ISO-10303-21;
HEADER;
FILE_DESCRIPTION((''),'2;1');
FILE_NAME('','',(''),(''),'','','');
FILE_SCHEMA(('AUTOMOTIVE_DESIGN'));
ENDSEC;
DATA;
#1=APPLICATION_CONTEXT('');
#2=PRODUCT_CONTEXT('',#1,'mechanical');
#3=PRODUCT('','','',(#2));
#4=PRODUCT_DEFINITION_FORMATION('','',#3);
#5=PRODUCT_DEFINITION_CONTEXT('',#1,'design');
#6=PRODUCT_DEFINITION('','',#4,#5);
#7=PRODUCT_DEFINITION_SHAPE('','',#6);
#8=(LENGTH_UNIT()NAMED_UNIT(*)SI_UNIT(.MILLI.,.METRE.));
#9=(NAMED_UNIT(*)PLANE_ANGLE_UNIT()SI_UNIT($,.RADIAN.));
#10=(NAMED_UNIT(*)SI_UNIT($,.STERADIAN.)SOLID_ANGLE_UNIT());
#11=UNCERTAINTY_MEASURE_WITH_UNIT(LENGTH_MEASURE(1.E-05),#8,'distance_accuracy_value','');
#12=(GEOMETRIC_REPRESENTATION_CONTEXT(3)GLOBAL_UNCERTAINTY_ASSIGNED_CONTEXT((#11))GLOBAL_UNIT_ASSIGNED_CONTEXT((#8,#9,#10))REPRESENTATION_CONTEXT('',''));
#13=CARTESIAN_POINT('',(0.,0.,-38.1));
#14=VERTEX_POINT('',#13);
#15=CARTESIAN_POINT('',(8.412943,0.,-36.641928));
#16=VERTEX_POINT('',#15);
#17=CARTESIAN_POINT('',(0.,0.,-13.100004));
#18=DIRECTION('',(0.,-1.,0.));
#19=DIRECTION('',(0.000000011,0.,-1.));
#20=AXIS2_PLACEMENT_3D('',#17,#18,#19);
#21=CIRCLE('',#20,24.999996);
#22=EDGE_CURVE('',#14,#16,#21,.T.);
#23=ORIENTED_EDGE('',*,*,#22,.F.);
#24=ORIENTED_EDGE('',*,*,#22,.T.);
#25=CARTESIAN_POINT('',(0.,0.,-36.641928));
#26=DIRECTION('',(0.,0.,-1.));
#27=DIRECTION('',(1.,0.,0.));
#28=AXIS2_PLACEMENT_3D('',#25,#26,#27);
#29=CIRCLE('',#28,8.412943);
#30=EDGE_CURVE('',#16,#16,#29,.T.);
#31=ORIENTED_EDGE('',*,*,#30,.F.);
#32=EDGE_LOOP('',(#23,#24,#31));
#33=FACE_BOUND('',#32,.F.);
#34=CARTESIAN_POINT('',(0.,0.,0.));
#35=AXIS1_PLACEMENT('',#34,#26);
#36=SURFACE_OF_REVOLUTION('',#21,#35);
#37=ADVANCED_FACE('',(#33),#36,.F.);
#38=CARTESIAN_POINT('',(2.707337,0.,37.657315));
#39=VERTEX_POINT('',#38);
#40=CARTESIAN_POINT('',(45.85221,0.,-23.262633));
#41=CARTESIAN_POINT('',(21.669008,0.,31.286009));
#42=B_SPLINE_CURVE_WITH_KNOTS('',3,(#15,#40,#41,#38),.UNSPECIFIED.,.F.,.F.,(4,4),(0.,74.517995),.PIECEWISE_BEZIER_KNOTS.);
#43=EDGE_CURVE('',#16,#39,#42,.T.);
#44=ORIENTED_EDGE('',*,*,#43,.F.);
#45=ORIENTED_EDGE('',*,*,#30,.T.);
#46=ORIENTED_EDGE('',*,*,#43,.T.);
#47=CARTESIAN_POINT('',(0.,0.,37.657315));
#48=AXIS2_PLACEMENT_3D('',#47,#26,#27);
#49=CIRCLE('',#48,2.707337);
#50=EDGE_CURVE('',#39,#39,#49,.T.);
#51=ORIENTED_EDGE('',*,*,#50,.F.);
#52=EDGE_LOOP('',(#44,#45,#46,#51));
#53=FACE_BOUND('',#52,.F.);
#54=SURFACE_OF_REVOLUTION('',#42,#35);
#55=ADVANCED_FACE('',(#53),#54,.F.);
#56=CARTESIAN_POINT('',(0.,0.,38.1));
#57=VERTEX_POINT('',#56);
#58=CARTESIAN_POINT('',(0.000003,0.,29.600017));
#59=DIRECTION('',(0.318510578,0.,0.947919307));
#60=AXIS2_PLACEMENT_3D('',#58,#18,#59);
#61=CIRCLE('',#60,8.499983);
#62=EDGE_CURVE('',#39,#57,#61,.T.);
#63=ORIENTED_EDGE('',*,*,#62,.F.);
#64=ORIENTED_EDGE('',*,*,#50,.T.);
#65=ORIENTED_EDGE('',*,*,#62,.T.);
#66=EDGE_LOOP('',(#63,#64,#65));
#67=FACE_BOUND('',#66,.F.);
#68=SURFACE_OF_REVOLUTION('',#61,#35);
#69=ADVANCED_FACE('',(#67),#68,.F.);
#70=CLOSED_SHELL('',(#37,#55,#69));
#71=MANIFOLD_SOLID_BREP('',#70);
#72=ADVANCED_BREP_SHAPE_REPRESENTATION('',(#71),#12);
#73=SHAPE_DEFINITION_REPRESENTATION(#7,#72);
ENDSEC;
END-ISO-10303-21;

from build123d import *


with BuildPart() as f1:
    # F0 (on Front) → F1 (revolve)
    with BuildSketch(Plane.XZ):
        with BuildLine():
            ThreePointArc((2.707337, 37.657315), (1.371645, 37.988599), (0, 38.1))
            Line((0, 38.1), (0, 21.1))
            ThreePointArc((0, 21.1), (8.388599, 28.228355), (2.707337, 37.657315))
        make_face()
        with BuildLine():
            ThreePointArc((2.707337, 37.657315), (8.388599, 28.228355), (0, 21.1))
            Line((0, 21.1), (0, 11.9))
            ThreePointArc((0, 11.9), (24.632785, -8.83082), (8.412943, -36.641928))
            add(Edge.make_bspline(
                [(8.412943, -36.641928), (45.85221, -23.262633), (21.669008, 31.286009), (2.707337, 37.657315)],
                knots=[0, 0, 0, 0, 74.517995, 74.517995, 74.517995, 74.517995], degree=3))
        make_face()
        with BuildLine():
            ThreePointArc((8.412943, -36.641928), (24.632785, -8.83082), (0, 11.9))
            Line((0, 11.9), (0, -38.1))
            ThreePointArc((0, -38.1), (4.26918, -37.732785), (8.412943, -36.641928))
        make_face()
    revolve(axis=Axis((0, 0, 0), (0, 0, -1)))


solid = f1.part
